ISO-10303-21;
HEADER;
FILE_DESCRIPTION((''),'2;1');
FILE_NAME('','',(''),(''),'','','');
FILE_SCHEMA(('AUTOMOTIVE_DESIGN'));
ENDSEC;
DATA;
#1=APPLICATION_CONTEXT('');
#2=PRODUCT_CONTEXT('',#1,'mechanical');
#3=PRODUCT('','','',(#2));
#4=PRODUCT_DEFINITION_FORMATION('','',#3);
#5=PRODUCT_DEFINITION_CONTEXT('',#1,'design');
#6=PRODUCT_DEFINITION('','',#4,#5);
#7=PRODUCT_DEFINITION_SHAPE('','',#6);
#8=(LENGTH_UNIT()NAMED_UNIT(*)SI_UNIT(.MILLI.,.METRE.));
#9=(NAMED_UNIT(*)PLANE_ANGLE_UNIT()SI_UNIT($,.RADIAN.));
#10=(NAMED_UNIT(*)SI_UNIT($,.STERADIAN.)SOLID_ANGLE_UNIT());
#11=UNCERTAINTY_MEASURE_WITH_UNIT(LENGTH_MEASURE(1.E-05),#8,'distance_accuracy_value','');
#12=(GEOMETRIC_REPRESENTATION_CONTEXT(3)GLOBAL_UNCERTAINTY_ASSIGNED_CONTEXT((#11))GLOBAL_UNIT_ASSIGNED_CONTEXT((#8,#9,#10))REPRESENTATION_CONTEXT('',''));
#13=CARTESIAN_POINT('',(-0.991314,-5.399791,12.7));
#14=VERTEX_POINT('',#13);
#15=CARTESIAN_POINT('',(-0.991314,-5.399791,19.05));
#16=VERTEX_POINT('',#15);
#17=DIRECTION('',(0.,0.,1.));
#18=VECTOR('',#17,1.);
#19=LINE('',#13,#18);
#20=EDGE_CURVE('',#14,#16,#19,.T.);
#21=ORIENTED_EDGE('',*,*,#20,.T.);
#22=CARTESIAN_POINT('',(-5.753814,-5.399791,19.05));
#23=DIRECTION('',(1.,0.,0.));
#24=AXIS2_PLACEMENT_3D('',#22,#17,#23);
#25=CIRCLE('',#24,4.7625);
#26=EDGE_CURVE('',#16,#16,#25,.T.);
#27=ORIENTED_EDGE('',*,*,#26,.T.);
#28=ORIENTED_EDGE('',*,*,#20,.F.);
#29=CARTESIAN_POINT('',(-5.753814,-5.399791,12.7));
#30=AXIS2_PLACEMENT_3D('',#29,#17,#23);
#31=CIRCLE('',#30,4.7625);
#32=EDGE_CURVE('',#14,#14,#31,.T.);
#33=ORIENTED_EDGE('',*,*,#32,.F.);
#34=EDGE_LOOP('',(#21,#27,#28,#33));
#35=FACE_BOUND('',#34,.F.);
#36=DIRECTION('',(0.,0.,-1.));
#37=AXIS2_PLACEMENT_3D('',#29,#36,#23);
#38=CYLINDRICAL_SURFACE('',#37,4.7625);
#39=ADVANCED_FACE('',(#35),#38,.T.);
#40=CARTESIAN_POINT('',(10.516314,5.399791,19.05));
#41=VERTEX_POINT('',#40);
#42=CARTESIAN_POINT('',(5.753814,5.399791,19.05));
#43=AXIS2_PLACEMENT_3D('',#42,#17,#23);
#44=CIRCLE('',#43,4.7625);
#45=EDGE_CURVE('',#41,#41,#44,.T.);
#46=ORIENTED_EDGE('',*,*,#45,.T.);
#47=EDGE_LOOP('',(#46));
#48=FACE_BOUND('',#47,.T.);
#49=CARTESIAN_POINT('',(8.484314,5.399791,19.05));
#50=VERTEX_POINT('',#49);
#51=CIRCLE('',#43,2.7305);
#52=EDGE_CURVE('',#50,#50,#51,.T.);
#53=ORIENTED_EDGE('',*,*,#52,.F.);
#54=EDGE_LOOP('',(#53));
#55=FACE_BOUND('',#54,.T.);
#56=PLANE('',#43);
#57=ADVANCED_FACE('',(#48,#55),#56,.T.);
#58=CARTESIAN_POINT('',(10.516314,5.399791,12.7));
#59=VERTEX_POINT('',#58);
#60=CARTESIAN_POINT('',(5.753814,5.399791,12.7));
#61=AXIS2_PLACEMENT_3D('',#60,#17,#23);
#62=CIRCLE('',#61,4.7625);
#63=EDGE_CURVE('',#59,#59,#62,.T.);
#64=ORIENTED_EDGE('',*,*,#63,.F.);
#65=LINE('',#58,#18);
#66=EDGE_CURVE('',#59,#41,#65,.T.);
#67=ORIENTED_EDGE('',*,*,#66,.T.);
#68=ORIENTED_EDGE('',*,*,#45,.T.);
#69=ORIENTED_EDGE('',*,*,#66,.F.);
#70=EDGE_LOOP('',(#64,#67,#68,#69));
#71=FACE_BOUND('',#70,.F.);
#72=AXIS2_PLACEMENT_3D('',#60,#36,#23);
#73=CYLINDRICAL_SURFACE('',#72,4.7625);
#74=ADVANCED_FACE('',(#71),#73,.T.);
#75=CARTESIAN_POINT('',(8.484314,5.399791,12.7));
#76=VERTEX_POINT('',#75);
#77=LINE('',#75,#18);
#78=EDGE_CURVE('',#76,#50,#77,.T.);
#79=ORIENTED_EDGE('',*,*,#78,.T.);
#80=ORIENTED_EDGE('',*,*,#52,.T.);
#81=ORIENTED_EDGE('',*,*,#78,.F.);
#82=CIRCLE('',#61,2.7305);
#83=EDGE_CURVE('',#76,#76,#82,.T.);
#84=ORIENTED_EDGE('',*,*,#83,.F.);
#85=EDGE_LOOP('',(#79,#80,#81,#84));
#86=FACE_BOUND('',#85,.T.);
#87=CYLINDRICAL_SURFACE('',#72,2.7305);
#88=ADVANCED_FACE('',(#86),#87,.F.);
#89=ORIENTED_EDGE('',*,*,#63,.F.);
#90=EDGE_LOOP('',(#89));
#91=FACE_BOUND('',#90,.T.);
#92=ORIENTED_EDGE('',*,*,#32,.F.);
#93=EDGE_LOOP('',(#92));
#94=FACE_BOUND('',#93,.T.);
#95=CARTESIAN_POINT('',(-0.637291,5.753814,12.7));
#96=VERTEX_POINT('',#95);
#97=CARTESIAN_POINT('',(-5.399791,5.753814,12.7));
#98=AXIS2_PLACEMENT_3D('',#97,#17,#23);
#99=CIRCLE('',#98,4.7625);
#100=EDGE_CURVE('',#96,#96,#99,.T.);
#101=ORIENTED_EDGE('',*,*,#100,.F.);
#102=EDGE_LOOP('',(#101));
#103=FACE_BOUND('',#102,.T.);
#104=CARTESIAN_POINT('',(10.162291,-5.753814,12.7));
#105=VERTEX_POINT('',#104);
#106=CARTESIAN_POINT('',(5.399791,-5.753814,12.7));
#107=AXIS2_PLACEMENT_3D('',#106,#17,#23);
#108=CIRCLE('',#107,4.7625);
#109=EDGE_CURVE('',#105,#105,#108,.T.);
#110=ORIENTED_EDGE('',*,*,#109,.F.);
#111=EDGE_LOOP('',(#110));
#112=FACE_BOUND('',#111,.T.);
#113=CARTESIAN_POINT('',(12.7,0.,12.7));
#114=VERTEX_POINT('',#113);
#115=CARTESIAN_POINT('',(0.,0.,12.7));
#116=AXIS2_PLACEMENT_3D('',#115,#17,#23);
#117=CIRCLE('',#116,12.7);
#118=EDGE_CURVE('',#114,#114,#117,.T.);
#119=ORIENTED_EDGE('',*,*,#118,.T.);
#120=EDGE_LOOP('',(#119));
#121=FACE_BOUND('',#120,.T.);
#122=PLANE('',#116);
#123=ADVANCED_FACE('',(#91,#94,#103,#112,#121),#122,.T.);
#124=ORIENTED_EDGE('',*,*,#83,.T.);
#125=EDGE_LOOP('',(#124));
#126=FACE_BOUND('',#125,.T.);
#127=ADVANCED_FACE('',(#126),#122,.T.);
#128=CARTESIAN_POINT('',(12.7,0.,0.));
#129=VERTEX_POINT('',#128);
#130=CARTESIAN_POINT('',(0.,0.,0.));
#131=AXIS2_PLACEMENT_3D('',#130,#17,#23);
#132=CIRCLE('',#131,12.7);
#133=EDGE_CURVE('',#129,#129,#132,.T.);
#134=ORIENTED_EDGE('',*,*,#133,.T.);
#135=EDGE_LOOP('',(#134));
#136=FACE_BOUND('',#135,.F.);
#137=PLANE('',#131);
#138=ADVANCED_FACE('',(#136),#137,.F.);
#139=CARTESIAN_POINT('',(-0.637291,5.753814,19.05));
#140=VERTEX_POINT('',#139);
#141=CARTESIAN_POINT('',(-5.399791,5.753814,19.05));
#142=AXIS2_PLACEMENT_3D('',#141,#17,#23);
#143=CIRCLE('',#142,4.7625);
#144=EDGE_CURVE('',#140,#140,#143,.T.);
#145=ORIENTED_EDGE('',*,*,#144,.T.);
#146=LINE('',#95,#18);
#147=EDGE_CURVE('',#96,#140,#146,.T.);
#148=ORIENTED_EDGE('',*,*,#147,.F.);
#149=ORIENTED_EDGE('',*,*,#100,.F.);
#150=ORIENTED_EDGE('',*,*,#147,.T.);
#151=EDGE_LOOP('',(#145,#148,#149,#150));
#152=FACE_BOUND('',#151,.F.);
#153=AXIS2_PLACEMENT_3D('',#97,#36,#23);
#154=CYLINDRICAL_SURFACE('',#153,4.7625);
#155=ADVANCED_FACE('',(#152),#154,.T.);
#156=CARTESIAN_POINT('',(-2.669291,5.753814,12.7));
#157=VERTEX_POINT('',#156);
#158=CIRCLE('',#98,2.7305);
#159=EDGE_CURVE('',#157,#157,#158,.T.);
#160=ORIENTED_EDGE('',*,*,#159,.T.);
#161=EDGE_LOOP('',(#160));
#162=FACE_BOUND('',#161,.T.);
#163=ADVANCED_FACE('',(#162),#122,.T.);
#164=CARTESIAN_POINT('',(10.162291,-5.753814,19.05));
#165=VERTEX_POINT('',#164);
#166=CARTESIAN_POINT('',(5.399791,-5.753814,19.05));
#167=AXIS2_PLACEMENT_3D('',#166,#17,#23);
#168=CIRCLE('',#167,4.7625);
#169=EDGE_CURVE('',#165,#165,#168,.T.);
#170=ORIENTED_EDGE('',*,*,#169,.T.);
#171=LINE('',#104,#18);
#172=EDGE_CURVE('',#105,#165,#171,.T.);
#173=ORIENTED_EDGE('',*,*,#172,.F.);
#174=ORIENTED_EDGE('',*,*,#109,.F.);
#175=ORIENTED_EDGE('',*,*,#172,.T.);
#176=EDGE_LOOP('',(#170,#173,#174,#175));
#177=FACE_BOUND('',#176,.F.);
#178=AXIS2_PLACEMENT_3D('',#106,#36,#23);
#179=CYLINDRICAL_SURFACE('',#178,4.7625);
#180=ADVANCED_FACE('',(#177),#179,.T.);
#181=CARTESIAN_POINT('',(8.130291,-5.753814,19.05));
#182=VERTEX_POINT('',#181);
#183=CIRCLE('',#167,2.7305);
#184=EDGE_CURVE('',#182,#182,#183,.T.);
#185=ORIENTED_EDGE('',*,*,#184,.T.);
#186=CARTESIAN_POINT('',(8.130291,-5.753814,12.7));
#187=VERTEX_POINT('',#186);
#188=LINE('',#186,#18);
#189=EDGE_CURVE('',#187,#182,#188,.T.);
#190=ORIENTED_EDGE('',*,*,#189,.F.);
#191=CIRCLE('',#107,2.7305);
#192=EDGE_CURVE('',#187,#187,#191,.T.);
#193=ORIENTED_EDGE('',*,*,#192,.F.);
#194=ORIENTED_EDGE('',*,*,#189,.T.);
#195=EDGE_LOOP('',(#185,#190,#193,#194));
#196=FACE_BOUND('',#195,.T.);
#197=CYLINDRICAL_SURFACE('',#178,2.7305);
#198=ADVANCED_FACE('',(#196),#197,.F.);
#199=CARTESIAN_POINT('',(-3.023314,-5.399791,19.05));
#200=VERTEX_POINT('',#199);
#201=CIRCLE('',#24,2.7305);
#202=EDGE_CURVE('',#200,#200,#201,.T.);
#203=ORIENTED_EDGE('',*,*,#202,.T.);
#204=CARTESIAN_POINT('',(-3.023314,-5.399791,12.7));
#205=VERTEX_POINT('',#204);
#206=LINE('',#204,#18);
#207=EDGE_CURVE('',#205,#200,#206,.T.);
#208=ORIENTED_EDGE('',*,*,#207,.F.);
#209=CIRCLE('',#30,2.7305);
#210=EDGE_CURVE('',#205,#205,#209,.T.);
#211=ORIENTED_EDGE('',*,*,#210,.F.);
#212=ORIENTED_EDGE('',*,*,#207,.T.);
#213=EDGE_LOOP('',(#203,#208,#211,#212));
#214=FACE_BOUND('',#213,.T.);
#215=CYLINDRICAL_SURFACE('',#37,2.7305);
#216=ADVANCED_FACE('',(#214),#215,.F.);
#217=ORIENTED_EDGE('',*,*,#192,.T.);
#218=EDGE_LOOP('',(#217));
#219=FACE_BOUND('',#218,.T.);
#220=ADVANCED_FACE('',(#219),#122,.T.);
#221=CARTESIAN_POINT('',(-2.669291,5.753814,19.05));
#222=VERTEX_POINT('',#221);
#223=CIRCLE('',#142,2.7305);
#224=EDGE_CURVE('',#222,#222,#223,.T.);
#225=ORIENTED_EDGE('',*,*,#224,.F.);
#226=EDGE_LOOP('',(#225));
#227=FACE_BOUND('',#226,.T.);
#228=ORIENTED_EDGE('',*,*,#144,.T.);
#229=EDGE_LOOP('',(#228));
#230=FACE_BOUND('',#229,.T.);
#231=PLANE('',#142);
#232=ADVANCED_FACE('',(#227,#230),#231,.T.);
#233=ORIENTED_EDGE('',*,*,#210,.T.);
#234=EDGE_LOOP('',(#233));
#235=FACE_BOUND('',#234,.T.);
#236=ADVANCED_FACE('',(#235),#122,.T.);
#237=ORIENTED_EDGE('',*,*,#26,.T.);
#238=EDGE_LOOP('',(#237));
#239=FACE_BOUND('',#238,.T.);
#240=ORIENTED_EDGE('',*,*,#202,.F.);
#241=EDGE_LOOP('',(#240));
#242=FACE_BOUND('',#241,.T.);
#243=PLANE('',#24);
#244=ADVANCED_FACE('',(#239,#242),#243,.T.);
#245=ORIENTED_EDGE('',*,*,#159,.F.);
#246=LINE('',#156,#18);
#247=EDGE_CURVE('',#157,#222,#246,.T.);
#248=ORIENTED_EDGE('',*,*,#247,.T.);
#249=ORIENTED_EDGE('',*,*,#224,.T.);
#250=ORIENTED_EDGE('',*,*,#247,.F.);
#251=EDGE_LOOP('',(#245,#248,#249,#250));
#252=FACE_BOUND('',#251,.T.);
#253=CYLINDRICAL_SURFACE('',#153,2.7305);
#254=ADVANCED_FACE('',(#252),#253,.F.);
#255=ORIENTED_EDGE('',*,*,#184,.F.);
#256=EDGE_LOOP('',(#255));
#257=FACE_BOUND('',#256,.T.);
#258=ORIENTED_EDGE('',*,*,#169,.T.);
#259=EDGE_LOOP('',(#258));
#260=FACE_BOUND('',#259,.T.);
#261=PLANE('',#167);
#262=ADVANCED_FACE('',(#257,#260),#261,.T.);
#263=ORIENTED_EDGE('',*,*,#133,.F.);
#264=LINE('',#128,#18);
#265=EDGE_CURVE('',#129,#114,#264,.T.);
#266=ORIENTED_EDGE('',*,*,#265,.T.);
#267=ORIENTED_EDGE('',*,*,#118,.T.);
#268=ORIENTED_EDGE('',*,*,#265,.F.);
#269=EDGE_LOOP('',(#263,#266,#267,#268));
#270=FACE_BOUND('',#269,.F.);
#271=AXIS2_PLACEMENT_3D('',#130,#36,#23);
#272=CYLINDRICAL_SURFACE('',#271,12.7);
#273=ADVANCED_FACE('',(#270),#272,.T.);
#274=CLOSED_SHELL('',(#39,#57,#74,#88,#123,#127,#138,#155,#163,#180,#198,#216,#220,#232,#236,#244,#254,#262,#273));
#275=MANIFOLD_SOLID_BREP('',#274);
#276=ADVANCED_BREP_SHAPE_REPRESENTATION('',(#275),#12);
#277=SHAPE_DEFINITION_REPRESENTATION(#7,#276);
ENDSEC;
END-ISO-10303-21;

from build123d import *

# Parameters (mm, degrees)
F0_R     = 12.7
F1_DEPTH = 12.7
F3_R     = 4.7625
F3_R_2   = 2.7305
F4_DEPTH = 6.35


with BuildPart() as f1:
    # F0 (on Top) → F1 (new body)
    with BuildSketch(Plane.XY):
        Circle(F0_R)
    extrude(amount=F1_DEPTH)

    # F3 (on offset) → F4 (join)
    with BuildSketch(Plane.XY.offset(12.7)):
        with Locations((-5.399791, 5.753814)):
            Circle(F3_R)
        with Locations((-5.399791, 5.753814)):
            Circle(F3_R_2, mode=Mode.SUBTRACT)
        with Locations((-5.753814, -5.399791)):
            Circle(F3_R)
        with Locations((-5.753814, -5.399791)):
            Circle(F3_R_2, mode=Mode.SUBTRACT)
        with Locations((5.399791, -5.753814)):
            Circle(F3_R)
        with Locations((5.399791, -5.753814)):
            Circle(F3_R_2, mode=Mode.SUBTRACT)
        with Locations((5.753814, 5.399791)):
            Circle(F3_R)
        with Locations((5.753814, 5.399791)):
            Circle(F3_R_2, mode=Mode.SUBTRACT)
    extrude(amount=F4_DEPTH)


solid = f1.part
